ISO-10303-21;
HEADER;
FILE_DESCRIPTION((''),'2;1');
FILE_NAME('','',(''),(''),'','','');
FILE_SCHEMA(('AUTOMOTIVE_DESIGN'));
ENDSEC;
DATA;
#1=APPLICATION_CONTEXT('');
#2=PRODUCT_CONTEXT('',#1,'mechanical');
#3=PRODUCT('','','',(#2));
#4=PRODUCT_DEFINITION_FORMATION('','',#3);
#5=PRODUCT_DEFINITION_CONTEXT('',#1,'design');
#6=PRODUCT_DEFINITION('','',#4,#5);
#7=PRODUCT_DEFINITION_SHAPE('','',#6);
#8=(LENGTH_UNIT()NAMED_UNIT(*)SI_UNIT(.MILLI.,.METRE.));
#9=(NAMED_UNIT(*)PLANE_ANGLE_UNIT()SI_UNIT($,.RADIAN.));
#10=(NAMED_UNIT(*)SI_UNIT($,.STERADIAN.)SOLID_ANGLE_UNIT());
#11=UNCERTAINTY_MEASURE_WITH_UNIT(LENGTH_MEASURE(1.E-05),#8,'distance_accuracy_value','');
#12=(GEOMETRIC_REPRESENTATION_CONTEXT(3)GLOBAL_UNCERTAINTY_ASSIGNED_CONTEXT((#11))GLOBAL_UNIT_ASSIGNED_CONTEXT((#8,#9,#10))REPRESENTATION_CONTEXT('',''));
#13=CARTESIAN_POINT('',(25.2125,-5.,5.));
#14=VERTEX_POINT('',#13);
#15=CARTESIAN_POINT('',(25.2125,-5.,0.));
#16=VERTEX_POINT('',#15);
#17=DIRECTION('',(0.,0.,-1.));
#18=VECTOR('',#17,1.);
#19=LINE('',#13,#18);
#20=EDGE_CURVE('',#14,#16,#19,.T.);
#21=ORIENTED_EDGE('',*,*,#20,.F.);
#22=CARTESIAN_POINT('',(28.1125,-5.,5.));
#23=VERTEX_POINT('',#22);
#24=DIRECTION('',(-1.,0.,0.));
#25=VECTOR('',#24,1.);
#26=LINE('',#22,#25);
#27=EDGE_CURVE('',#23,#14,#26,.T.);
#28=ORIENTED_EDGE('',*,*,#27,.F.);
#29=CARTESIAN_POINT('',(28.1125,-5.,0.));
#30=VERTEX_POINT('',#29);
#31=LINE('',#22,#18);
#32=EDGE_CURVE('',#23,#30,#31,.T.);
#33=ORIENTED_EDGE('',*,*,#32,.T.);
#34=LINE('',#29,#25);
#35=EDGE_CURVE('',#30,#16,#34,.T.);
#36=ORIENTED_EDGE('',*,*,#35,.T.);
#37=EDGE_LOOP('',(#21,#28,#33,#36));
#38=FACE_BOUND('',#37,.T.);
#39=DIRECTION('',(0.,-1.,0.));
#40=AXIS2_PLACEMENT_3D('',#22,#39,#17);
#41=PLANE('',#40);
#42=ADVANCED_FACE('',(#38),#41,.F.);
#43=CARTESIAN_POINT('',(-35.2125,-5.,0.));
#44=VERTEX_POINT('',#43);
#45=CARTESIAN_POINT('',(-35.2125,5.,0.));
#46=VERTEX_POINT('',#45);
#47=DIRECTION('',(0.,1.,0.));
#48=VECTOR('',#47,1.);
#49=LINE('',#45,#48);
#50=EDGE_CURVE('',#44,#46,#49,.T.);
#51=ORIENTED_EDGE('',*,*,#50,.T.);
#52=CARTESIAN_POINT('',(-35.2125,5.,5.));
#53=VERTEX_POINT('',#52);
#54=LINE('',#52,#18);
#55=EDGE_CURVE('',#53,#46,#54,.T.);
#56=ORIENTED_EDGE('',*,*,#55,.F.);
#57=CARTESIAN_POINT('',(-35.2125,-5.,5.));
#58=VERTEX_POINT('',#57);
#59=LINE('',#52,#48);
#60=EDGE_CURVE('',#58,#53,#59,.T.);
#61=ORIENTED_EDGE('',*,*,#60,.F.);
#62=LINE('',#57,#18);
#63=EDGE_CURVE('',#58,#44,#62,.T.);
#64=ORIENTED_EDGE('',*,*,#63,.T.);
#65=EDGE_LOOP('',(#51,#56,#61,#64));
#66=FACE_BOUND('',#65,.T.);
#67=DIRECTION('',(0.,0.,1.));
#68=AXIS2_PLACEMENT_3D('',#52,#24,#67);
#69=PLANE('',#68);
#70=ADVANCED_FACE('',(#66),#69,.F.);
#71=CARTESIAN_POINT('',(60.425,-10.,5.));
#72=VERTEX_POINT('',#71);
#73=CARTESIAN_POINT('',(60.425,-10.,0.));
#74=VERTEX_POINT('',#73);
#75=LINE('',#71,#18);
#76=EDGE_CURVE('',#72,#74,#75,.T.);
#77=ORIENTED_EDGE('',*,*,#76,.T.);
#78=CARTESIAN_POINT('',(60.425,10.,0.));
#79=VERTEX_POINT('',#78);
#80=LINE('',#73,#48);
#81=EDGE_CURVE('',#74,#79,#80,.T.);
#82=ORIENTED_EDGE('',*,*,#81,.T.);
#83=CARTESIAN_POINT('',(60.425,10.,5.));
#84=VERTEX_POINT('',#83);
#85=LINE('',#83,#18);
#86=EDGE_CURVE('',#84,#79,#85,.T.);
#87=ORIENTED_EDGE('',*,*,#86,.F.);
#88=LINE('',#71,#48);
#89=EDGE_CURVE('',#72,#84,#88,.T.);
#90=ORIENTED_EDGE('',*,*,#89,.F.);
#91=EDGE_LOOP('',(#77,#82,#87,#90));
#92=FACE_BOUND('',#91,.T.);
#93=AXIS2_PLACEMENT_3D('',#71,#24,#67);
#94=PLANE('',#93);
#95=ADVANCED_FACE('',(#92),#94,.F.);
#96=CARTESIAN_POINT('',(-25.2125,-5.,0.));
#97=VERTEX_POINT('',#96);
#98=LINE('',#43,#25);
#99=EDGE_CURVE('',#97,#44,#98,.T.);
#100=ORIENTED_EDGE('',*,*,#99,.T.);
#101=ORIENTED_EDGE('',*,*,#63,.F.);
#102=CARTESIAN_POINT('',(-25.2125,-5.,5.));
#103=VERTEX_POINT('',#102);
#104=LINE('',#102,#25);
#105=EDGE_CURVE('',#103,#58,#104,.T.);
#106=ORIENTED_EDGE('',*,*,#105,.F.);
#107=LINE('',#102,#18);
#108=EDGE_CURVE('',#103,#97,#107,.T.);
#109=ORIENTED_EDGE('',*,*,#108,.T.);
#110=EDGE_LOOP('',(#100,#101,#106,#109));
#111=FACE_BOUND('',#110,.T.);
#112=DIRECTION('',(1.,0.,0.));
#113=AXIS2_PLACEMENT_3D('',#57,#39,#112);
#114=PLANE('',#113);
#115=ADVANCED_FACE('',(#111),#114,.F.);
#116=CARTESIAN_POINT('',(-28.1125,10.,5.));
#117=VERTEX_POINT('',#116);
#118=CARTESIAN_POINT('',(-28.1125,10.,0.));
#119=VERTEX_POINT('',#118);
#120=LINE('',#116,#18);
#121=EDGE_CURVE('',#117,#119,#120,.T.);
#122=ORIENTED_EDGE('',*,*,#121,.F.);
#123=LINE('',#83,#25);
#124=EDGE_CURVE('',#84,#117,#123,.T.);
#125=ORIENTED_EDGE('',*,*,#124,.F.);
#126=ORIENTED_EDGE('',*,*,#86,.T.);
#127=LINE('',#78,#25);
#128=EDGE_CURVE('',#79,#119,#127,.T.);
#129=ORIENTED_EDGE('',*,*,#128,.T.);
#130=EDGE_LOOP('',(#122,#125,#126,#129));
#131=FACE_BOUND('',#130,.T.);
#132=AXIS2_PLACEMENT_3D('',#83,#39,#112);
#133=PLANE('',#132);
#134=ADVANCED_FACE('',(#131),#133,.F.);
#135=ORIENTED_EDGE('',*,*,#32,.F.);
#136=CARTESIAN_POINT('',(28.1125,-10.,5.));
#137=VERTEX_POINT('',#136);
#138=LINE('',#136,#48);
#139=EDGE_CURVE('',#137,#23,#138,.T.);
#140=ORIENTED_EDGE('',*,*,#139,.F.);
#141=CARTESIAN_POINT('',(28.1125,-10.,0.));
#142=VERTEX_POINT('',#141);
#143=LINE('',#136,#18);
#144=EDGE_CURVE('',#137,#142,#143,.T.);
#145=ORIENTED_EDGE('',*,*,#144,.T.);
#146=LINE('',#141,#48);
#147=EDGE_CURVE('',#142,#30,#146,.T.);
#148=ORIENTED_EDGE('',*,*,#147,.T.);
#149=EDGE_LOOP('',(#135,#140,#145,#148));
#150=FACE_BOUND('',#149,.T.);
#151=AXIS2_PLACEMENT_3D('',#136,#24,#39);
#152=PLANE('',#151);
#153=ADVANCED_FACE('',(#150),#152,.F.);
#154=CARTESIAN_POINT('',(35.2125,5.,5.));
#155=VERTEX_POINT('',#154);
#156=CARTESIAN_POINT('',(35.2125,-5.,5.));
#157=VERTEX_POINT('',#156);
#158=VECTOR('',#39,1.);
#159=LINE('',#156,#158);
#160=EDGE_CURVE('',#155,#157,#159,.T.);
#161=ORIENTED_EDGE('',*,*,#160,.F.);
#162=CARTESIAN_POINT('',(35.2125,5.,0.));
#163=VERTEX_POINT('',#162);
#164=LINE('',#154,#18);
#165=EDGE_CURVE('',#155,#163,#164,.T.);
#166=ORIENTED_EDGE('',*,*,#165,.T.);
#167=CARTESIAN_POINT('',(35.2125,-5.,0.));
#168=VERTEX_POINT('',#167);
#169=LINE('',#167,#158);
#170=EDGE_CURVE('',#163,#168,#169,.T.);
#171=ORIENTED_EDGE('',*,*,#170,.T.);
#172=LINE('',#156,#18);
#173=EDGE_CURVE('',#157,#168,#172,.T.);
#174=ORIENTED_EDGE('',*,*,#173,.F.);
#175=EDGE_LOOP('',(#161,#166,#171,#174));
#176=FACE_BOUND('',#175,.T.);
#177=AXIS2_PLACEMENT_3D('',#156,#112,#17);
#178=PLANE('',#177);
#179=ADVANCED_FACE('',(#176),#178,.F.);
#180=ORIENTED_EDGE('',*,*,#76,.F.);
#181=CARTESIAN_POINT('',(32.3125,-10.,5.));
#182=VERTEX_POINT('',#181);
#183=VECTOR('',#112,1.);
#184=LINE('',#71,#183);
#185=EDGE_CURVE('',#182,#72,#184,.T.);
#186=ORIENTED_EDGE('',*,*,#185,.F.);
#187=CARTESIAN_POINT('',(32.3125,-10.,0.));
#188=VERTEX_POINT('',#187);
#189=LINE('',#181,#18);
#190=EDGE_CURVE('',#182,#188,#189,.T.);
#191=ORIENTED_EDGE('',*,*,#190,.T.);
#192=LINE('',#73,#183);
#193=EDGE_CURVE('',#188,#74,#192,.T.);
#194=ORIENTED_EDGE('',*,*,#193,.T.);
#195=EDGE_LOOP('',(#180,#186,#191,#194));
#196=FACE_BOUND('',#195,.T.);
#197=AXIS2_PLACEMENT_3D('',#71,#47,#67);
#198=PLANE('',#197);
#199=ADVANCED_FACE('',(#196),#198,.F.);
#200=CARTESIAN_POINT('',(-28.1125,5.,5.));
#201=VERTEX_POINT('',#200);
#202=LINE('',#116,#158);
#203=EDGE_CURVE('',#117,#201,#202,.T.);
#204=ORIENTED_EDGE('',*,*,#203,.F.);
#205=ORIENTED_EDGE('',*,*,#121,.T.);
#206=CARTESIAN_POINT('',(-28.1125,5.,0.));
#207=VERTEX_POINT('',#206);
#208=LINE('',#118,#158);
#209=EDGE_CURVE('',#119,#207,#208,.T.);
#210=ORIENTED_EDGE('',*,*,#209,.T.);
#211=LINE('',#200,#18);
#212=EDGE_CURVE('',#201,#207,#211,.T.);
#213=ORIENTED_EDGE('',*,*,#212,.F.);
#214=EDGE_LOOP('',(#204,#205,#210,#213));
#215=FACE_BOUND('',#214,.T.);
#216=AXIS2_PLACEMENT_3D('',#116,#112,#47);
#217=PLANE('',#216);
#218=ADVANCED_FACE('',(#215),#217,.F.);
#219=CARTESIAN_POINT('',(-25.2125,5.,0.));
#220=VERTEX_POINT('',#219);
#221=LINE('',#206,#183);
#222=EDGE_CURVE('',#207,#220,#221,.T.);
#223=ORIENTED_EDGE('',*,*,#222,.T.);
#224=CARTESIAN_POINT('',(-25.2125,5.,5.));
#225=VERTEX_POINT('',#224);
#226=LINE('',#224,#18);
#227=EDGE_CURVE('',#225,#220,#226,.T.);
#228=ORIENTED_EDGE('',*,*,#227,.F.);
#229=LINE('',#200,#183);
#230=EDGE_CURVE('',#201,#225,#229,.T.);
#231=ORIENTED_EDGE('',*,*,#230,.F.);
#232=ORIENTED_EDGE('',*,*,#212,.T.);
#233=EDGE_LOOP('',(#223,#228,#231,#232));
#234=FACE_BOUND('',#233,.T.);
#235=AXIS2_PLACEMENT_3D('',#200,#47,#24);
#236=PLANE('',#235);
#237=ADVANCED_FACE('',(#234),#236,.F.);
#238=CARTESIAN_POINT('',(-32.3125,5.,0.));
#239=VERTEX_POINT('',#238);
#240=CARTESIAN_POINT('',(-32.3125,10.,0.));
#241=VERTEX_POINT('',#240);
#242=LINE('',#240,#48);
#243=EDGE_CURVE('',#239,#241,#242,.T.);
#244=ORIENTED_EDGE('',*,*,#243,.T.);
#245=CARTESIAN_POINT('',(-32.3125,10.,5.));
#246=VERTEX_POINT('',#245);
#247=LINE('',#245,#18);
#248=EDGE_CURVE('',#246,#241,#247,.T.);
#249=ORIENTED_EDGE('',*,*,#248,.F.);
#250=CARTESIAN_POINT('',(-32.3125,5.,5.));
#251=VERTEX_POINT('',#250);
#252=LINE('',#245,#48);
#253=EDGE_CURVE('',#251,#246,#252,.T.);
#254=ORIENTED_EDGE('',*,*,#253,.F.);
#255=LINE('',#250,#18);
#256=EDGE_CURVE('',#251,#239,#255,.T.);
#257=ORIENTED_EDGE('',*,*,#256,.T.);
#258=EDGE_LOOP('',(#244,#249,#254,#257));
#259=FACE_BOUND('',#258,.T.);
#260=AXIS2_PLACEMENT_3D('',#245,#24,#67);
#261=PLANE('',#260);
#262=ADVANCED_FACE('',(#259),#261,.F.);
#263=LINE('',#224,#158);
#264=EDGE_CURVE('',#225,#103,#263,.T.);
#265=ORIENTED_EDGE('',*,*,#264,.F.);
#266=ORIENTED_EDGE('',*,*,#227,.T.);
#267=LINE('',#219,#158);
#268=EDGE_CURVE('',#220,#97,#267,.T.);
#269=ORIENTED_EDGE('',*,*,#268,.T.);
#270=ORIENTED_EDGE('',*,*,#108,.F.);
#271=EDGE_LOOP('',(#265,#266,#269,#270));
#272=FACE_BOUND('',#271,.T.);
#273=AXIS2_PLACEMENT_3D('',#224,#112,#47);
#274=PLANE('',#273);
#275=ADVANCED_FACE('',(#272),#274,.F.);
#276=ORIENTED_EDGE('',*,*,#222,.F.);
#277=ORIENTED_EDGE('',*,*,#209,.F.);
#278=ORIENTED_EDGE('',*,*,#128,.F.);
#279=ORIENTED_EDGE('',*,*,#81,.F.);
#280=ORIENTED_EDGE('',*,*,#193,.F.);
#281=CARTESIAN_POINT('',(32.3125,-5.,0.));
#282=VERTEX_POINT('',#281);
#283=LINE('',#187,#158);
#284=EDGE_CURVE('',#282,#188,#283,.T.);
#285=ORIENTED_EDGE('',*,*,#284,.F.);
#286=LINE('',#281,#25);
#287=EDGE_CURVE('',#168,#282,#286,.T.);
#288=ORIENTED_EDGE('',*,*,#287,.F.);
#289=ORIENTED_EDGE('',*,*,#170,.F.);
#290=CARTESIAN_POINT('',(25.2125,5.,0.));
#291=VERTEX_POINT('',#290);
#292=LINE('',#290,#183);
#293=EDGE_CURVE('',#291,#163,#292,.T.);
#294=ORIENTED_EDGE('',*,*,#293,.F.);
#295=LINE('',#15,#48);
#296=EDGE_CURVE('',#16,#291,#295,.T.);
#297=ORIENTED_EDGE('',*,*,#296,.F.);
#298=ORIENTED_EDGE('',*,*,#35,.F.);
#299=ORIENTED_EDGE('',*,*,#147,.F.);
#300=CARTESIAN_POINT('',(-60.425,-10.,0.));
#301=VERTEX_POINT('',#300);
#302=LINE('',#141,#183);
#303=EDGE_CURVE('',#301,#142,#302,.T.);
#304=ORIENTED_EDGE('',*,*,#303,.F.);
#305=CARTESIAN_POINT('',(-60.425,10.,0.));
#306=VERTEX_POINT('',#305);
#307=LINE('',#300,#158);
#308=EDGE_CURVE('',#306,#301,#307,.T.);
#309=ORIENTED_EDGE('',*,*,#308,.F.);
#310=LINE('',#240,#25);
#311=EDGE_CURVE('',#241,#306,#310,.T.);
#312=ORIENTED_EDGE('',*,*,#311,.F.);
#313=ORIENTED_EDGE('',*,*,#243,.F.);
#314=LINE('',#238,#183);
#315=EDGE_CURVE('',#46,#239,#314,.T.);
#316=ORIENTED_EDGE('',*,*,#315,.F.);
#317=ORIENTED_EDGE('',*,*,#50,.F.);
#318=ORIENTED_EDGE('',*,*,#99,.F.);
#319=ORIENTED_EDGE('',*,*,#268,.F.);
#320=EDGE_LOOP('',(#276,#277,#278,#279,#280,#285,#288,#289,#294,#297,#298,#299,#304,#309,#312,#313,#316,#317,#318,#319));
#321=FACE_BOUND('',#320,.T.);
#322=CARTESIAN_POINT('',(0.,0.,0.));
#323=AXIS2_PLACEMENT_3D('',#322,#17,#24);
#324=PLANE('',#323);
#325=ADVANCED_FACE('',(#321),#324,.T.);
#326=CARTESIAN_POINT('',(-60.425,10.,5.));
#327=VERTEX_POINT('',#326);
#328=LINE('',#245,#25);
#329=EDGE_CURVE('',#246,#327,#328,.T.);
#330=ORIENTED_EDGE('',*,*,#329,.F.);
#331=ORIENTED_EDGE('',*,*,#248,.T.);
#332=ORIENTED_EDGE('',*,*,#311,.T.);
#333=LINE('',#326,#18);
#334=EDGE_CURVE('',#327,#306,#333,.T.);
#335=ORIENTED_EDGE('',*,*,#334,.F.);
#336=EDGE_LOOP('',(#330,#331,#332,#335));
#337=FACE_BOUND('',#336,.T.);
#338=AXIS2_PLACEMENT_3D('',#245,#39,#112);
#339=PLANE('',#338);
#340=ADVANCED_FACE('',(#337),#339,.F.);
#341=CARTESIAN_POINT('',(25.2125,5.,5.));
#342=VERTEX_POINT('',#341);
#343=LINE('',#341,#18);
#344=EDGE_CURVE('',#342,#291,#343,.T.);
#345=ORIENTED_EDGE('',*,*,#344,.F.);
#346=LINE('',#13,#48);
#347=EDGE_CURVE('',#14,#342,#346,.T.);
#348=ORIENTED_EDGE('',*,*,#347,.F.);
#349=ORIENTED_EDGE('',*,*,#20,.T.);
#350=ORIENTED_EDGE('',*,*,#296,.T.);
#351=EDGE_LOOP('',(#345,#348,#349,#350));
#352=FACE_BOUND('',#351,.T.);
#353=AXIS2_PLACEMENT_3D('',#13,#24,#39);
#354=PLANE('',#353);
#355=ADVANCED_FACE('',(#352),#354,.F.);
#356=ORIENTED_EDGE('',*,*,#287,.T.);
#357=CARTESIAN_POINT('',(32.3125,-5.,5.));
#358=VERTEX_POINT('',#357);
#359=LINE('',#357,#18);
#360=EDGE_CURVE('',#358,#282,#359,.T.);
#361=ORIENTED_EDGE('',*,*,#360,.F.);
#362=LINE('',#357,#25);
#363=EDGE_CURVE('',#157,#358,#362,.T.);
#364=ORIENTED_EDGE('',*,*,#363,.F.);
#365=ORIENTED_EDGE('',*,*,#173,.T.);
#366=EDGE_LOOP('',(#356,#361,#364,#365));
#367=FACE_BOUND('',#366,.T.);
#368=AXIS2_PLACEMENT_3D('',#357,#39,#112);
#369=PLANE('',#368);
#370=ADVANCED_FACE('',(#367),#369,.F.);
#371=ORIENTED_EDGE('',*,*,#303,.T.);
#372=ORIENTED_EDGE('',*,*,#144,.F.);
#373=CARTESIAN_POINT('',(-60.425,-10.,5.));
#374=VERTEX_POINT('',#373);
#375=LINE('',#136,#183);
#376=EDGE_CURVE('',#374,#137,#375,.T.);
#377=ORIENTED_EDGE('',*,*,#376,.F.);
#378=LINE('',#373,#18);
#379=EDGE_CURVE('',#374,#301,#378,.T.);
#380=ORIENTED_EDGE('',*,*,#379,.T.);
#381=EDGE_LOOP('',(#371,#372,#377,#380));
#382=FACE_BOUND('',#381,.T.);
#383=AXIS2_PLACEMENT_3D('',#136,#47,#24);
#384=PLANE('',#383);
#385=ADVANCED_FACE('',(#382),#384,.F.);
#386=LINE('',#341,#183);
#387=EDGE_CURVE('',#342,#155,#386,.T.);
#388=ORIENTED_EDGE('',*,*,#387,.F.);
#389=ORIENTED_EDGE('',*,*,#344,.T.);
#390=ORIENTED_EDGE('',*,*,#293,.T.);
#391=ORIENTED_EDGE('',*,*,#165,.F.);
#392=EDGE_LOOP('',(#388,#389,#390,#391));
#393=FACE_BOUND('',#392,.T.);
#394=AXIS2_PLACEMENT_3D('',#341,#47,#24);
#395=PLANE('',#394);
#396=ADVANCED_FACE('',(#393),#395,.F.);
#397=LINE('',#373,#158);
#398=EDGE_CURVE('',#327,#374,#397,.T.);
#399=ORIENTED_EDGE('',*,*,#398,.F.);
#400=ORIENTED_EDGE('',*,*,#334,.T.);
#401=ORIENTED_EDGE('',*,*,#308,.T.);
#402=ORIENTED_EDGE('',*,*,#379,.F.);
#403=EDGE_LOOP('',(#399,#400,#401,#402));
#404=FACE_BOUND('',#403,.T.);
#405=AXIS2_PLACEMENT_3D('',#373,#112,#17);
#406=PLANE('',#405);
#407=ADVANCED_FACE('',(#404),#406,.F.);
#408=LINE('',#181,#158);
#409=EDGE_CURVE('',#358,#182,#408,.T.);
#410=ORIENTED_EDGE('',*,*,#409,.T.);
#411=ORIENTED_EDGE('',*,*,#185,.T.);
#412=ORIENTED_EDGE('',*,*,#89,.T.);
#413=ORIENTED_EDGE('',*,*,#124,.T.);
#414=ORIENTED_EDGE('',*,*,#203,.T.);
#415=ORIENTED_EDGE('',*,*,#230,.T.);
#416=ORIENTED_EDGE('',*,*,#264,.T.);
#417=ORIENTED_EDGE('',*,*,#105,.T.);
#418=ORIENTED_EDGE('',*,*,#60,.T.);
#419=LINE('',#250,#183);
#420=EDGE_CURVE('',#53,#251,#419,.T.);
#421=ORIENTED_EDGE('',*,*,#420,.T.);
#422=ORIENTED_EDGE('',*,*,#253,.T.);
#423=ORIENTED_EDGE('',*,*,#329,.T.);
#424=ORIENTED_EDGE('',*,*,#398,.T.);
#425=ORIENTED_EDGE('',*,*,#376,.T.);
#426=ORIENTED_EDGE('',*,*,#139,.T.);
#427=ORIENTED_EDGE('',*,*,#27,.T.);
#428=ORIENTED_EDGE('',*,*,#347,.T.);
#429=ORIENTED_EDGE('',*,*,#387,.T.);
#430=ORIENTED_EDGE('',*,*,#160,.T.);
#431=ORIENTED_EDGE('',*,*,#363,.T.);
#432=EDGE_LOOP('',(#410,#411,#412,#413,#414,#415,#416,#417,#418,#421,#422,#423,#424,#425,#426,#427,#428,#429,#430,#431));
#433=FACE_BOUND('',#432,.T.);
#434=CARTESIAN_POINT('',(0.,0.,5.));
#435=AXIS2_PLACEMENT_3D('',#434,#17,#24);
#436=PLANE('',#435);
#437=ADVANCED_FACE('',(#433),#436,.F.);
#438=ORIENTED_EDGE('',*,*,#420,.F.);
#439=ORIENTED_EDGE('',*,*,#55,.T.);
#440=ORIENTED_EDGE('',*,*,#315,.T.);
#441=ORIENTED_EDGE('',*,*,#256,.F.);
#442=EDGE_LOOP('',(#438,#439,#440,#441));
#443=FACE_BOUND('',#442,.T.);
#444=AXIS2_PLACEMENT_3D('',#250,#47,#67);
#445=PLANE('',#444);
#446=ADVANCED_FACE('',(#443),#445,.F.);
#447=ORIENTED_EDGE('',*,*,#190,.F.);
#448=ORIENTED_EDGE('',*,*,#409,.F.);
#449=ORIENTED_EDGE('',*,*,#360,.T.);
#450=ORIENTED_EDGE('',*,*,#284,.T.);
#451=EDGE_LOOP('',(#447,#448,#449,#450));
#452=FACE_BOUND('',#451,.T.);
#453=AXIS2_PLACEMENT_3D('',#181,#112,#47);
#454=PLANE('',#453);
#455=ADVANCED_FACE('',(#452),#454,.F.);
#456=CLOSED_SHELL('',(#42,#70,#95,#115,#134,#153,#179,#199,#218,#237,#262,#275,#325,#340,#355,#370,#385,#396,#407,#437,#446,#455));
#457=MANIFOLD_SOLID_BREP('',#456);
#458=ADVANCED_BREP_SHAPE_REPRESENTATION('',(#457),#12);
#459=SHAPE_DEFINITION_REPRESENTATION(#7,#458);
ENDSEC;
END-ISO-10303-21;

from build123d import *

# Parameters (mm, degrees)
BOSS_EXTRUDE1_DEPTH = 5


with BuildPart() as part:
    # Sketch1 → Boss-Extrude1 (new body)
    with BuildSketch(Plane.XY):
        Polygon((60.425, -10), (32.3125, -10), (32.3125, -5), (35.2125, -5), (35.2125, 5), (25.2125, 5), (25.2125, -5), (28.1125, -5), (28.1125, -10), (-60.425, -10), (-60.425, 10), (-32.3125, 10), (-32.3125, 5), (-35.2125, 5), (-35.2125, -5), (-30.2125, -5), (-25.2125, -5), (-25.2125, 5), (-28.1125, 5), (-28.1125, 10), (60.425, 10), align=None)
    extrude(amount=BOSS_EXTRUDE1_DEPTH)


solid = part.part
